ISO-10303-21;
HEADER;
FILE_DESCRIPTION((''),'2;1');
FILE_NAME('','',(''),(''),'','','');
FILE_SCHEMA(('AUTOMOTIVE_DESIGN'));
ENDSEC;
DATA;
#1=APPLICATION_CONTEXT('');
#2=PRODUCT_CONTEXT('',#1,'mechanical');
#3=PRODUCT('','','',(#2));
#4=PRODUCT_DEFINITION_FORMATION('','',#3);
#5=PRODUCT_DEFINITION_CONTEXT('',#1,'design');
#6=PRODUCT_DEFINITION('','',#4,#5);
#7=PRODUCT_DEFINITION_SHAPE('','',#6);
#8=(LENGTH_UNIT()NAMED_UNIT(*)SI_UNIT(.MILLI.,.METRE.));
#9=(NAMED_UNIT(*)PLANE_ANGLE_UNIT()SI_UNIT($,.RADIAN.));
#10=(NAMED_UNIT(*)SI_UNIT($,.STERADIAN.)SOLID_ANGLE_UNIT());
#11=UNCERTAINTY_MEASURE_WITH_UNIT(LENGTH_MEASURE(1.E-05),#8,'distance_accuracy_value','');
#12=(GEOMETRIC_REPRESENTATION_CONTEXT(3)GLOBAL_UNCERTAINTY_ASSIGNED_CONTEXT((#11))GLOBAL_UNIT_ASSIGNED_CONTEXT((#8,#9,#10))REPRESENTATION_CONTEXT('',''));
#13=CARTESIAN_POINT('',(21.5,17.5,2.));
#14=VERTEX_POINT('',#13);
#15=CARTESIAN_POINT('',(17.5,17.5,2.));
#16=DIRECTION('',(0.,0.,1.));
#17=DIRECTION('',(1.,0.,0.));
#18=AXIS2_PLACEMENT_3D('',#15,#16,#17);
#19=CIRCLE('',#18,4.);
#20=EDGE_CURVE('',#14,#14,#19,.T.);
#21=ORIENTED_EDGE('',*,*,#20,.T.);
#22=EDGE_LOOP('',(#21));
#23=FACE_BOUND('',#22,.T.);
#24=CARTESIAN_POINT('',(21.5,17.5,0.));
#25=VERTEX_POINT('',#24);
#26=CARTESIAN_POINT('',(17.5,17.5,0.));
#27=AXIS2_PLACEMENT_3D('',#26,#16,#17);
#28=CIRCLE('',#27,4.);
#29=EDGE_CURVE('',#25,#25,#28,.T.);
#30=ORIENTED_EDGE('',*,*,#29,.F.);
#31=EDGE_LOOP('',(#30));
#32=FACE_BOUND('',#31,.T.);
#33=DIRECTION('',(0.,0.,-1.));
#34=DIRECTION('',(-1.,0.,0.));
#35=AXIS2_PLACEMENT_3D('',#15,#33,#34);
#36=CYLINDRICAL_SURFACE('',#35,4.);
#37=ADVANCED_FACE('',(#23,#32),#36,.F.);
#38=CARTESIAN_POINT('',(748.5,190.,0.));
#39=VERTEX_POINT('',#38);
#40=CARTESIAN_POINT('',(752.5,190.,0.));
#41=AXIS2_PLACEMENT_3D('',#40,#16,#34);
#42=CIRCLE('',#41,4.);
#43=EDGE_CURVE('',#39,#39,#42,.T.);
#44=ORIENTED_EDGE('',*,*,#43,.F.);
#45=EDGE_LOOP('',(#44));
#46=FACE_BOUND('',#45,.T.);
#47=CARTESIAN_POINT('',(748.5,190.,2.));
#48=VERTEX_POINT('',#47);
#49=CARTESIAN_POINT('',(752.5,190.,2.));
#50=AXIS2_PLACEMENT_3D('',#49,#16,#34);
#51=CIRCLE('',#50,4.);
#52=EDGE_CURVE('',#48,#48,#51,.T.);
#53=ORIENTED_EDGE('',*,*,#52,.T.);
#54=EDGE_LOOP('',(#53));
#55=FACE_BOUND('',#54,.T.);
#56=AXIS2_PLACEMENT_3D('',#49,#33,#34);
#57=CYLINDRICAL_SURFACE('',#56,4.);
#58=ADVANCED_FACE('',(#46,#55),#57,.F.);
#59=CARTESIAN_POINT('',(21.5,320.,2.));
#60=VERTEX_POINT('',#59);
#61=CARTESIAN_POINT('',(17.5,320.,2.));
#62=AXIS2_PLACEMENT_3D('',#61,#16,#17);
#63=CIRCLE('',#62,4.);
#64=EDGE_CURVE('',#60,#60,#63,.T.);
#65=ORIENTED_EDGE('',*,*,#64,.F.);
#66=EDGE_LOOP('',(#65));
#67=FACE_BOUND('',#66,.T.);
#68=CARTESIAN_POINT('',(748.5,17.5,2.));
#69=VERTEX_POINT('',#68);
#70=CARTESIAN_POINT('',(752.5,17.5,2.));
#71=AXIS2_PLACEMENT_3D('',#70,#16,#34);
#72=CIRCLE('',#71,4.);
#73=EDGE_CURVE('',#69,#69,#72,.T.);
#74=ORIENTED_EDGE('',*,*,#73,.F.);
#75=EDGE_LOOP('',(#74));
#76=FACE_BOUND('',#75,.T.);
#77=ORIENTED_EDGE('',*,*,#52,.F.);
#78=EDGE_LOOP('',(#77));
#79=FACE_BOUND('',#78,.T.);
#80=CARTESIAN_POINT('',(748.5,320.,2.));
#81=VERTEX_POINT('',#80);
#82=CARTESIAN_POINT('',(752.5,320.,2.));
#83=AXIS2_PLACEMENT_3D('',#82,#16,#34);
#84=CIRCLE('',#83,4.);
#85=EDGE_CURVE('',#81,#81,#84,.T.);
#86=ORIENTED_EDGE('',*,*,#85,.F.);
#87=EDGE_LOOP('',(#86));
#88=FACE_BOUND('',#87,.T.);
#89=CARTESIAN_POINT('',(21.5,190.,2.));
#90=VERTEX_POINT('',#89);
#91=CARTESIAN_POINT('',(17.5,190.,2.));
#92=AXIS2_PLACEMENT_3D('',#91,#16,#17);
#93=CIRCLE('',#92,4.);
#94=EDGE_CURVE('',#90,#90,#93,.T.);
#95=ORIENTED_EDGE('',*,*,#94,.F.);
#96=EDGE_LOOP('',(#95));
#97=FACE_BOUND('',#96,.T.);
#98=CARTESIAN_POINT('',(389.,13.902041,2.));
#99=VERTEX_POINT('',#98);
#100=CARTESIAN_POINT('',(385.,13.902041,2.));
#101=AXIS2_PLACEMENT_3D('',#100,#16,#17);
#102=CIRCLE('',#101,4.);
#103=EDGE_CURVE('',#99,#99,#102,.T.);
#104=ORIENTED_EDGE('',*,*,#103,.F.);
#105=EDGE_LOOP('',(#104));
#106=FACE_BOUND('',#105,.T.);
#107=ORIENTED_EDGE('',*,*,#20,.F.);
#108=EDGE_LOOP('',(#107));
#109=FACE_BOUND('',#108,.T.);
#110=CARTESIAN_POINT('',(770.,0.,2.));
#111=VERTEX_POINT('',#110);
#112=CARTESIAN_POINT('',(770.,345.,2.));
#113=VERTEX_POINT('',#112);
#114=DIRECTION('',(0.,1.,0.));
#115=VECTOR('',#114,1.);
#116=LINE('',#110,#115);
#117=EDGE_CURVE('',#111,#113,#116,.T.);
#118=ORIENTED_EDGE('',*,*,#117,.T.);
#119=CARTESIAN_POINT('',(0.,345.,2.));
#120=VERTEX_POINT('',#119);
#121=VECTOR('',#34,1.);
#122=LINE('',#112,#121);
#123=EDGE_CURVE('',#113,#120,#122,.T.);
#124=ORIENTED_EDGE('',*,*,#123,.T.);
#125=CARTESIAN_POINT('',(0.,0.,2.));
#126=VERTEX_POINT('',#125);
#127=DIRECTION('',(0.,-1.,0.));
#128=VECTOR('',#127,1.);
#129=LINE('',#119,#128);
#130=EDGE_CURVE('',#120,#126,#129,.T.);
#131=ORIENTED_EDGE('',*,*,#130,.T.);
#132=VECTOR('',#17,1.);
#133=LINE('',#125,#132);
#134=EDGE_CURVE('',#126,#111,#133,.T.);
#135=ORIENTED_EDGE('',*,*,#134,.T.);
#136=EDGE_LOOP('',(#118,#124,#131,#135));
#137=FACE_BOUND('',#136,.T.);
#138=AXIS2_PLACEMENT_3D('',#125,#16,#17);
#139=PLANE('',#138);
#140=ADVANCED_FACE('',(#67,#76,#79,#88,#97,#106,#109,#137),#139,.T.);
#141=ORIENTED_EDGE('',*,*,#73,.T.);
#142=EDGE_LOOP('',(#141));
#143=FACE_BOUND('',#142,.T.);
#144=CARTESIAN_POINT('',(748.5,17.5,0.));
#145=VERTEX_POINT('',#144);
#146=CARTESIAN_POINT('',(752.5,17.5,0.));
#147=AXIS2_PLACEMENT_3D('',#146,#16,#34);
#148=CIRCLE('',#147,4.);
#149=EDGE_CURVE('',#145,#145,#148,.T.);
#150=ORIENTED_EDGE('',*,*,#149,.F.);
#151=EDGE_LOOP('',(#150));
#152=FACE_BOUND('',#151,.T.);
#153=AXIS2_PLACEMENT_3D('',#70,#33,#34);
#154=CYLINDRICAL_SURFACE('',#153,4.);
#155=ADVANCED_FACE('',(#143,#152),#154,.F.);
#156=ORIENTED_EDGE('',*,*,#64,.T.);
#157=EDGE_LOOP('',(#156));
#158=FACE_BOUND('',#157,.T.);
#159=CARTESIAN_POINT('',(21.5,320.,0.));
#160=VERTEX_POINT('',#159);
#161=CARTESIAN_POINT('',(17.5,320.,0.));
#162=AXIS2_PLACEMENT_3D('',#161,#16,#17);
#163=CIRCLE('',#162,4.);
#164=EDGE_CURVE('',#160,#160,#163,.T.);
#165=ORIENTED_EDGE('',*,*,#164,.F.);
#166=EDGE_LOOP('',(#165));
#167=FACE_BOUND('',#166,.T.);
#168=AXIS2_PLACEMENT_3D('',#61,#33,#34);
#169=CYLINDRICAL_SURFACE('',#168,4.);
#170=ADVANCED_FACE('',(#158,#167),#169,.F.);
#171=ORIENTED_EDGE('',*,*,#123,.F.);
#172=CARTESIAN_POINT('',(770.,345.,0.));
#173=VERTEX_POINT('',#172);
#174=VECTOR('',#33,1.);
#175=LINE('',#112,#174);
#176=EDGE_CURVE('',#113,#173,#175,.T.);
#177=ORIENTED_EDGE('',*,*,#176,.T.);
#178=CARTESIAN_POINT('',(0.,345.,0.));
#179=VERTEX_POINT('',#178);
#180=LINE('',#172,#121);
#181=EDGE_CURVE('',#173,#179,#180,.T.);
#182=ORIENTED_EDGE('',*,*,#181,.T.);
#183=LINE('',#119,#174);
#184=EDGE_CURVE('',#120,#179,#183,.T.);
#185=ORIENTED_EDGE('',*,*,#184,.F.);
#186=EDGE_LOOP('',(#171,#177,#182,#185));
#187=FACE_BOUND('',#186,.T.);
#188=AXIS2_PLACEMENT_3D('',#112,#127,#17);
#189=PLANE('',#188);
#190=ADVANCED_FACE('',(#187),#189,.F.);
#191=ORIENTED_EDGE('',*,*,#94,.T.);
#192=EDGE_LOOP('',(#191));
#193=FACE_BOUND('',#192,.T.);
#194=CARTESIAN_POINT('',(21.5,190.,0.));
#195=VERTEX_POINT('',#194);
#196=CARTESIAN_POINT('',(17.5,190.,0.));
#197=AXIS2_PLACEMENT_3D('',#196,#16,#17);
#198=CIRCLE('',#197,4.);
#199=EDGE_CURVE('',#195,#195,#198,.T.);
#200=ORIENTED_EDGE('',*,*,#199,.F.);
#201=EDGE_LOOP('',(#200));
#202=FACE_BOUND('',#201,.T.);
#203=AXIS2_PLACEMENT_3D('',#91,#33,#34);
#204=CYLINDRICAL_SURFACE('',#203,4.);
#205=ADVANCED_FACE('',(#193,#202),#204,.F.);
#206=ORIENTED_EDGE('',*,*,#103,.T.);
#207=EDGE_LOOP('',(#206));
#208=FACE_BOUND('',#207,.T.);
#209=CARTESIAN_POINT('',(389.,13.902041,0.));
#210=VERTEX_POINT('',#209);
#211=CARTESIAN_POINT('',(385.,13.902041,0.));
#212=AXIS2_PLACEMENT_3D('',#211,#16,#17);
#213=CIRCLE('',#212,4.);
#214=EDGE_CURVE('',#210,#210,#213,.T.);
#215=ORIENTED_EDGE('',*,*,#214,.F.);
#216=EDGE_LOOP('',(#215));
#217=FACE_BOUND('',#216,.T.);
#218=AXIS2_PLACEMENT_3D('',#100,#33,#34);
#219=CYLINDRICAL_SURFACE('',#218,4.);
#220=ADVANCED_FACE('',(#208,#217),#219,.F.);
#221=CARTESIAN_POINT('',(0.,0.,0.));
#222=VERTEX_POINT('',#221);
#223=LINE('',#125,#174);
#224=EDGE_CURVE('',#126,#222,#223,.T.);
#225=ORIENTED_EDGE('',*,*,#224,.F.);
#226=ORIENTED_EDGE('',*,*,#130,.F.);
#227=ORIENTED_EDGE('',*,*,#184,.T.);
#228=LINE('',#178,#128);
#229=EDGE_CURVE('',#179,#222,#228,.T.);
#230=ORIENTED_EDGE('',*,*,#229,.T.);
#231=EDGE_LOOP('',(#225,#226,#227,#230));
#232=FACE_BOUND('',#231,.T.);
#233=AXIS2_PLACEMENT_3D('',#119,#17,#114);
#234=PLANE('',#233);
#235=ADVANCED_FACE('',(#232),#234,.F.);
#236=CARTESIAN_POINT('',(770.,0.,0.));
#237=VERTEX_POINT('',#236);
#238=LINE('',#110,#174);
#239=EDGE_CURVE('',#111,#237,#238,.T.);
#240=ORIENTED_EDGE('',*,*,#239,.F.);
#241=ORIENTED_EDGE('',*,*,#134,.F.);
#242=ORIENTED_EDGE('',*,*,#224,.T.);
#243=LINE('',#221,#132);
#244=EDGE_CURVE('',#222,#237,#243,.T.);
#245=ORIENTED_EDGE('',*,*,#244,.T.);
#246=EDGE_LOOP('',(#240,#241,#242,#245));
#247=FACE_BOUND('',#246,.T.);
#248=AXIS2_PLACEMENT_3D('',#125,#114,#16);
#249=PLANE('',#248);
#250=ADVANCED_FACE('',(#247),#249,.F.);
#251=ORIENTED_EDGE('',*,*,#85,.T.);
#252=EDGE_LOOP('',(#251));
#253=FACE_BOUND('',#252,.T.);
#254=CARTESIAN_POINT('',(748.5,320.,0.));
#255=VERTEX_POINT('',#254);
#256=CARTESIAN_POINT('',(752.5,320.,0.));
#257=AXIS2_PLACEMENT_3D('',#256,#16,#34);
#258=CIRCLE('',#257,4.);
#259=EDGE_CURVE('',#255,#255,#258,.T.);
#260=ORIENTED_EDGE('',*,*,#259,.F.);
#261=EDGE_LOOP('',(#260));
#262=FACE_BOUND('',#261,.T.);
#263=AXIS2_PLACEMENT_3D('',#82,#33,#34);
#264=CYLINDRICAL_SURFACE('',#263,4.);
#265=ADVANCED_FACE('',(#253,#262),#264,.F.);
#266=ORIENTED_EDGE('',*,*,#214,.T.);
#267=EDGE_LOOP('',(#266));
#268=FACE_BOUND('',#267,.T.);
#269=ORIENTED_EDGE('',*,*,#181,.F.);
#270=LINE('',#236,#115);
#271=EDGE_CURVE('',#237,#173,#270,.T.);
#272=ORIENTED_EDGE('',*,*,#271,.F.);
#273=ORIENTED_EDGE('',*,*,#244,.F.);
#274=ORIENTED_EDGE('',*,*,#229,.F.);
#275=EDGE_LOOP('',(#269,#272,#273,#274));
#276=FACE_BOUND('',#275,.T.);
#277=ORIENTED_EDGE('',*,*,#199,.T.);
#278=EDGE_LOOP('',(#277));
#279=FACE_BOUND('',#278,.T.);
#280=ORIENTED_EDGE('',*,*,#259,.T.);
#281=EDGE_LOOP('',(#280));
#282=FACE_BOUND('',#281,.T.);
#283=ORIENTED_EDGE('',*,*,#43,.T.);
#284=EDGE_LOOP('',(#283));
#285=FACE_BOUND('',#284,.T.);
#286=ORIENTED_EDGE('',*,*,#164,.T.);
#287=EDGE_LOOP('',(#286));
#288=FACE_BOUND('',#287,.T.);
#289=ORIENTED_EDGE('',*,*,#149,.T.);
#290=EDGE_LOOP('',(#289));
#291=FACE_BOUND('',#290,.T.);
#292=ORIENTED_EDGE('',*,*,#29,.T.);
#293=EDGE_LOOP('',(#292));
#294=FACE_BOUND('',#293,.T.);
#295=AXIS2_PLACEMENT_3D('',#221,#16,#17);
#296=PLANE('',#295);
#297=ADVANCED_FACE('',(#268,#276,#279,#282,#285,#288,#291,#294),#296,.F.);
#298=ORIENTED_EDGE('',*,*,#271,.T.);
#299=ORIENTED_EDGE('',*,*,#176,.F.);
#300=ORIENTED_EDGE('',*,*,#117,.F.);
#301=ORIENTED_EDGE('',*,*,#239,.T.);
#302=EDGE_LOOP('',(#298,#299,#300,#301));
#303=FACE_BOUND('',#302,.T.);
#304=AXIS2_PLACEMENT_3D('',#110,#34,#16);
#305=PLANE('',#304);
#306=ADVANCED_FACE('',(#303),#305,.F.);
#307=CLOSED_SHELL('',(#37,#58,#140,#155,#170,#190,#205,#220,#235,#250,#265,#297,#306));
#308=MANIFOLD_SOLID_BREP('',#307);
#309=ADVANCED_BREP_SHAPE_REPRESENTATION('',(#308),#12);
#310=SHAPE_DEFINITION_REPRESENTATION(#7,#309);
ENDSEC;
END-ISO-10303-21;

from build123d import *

# Parameters (mm, degrees)
SKETCH1_W           = 770
SKETCH1_H           = 345
SKETCH1_R           = 4
BOSS_EXTRUDE1_DEPTH = 2


with BuildPart() as part:
    # Sketch1 → Boss-Extrude1 (new body)
    with BuildSketch(Plane.XY):
        with Locations((385, 172.5)):
            Rectangle(SKETCH1_W, SKETCH1_H)
        with Locations((17.5, 320)):
            Circle(SKETCH1_R, mode=Mode.SUBTRACT)
        with Locations((17.5, 17.5)):
            Circle(SKETCH1_R, mode=Mode.SUBTRACT)
        with Locations(Location((752.5, 17.5, 0), (0, 0, 180))):  # turned: the seam where the file's is
            Circle(SKETCH1_R, mode=Mode.SUBTRACT)
        with Locations((385, 13.902040844)):
            Circle(SKETCH1_R, mode=Mode.SUBTRACT)
        with Locations((17.5, 190)):
            Circle(SKETCH1_R, mode=Mode.SUBTRACT)
        with Locations(Location((752.5, 190, 0), (0, 0, 180))):  # turned: the seam where the file's is
            Circle(SKETCH1_R, mode=Mode.SUBTRACT)
        with Locations(Location((752.5, 320, 0), (0, 0, 180))):  # turned: the seam where the file's is
            Circle(SKETCH1_R, mode=Mode.SUBTRACT)
    extrude(amount=BOSS_EXTRUDE1_DEPTH)


solid = part.part
